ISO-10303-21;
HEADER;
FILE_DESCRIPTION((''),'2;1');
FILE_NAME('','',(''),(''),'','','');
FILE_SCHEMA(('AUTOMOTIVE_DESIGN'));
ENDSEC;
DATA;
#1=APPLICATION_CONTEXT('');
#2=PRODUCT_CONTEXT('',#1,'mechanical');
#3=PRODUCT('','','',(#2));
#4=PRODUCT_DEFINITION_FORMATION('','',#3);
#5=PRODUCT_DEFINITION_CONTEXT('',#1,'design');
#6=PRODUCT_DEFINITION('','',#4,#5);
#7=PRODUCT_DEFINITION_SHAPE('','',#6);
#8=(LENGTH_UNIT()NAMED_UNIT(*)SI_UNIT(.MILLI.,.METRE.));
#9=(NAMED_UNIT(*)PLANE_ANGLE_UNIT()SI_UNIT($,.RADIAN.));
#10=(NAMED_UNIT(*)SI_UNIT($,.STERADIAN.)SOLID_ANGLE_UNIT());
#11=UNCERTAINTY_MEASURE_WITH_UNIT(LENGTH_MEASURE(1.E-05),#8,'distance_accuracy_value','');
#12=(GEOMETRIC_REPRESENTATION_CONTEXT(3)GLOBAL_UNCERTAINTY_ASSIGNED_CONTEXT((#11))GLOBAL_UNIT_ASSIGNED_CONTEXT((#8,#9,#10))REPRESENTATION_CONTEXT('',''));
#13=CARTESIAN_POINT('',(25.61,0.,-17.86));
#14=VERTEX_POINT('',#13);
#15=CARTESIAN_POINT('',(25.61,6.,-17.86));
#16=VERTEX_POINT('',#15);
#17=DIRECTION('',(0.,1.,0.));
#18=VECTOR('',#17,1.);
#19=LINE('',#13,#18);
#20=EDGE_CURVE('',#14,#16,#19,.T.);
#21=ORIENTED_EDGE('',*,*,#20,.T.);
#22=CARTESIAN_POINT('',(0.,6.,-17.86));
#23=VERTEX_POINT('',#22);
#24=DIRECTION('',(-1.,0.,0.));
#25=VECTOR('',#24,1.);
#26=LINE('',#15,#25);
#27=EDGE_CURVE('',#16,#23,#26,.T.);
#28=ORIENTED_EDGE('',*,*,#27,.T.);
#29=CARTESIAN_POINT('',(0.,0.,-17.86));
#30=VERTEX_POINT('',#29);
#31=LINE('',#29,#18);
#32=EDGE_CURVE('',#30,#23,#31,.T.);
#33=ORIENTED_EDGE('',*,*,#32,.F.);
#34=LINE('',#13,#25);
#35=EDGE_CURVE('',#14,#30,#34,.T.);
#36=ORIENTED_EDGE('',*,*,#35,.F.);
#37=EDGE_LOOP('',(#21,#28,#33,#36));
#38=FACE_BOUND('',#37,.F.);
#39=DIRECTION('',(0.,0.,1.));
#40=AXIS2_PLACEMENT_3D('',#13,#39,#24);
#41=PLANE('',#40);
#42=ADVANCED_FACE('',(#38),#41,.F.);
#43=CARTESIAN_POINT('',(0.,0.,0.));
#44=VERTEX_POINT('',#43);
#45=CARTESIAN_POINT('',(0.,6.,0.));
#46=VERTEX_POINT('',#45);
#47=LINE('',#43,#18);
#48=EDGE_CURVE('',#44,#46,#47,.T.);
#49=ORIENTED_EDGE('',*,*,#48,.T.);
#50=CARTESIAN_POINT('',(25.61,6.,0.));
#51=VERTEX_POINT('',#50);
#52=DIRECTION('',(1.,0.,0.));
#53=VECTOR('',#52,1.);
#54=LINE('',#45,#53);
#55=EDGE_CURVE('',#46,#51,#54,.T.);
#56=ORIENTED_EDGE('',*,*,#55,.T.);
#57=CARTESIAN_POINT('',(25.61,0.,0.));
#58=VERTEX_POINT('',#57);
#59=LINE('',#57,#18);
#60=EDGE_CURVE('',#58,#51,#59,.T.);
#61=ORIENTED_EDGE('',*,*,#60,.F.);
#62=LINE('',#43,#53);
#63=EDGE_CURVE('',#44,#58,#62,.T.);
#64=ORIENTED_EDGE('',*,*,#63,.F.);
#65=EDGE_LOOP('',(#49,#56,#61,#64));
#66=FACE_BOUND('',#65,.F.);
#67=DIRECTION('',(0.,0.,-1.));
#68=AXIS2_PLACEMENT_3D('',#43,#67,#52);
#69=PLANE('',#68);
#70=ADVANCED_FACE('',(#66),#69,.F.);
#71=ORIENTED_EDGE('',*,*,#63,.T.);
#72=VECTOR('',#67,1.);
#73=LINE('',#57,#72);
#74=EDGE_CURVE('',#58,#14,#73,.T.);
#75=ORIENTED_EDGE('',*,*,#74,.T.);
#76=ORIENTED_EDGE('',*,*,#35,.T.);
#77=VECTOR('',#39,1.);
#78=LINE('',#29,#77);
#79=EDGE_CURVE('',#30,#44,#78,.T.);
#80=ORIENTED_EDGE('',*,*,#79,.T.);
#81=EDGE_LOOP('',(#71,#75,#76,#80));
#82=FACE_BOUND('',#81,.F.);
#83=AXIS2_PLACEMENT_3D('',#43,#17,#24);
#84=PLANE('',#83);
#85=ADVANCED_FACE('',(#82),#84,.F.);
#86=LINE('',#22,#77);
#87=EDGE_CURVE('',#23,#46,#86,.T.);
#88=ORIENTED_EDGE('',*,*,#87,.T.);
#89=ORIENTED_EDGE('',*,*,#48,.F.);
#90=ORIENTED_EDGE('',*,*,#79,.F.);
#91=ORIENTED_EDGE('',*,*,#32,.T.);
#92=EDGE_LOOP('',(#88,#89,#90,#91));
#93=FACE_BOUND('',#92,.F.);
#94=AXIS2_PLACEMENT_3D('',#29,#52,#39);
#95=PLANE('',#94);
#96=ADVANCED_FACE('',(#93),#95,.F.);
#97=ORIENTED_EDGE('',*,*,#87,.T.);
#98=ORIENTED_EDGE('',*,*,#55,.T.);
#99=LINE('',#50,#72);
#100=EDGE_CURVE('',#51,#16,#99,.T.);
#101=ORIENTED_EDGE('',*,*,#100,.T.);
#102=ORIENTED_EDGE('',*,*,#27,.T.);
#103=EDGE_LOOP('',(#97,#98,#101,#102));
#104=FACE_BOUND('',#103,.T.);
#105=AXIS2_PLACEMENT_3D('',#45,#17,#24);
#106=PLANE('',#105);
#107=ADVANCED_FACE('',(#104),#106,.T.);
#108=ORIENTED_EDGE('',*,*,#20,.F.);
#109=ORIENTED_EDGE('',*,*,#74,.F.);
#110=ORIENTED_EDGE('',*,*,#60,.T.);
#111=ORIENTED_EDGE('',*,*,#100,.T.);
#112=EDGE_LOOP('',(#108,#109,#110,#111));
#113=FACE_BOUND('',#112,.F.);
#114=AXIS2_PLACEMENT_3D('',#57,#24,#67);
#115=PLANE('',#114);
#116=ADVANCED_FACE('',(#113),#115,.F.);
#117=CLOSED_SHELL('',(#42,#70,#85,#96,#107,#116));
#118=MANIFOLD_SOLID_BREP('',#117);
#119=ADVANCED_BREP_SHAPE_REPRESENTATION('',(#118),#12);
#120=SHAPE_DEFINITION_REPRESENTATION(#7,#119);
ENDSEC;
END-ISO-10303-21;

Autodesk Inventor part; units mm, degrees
ref_plane "YZ Plane" through (0, 0, 0) normal (1, 0, 0) x (0, 1, 0)
ref_plane "XZ Plane" through (0, 0, 0) normal (0, 1, 0) x (-1, 0, 0)
ref_plane "XY Plane" through (0, 0, 0) normal (0, 0, 1) x (1, 0, 0)
sketch "Sketch1" plane through (0, 0, 0) normal (0, 1, 0) x (-1, 0, 0)
  line L0 (0, 0) -> (-25.61, 0)
  line L1 (-25.61, 0) -> (-25.61, -17.86)
  line L2 (-25.61, -17.86) -> (0, -17.86)
  line L3 (0, -17.86) -> (0, 0)
  dimension "d0" = 25.61
  dimension "d1" = 17.86
extrude "Extrusion1" add sketch "Sketch1" along normal blind 6
properties part number "Mock Gyro-Acc"
